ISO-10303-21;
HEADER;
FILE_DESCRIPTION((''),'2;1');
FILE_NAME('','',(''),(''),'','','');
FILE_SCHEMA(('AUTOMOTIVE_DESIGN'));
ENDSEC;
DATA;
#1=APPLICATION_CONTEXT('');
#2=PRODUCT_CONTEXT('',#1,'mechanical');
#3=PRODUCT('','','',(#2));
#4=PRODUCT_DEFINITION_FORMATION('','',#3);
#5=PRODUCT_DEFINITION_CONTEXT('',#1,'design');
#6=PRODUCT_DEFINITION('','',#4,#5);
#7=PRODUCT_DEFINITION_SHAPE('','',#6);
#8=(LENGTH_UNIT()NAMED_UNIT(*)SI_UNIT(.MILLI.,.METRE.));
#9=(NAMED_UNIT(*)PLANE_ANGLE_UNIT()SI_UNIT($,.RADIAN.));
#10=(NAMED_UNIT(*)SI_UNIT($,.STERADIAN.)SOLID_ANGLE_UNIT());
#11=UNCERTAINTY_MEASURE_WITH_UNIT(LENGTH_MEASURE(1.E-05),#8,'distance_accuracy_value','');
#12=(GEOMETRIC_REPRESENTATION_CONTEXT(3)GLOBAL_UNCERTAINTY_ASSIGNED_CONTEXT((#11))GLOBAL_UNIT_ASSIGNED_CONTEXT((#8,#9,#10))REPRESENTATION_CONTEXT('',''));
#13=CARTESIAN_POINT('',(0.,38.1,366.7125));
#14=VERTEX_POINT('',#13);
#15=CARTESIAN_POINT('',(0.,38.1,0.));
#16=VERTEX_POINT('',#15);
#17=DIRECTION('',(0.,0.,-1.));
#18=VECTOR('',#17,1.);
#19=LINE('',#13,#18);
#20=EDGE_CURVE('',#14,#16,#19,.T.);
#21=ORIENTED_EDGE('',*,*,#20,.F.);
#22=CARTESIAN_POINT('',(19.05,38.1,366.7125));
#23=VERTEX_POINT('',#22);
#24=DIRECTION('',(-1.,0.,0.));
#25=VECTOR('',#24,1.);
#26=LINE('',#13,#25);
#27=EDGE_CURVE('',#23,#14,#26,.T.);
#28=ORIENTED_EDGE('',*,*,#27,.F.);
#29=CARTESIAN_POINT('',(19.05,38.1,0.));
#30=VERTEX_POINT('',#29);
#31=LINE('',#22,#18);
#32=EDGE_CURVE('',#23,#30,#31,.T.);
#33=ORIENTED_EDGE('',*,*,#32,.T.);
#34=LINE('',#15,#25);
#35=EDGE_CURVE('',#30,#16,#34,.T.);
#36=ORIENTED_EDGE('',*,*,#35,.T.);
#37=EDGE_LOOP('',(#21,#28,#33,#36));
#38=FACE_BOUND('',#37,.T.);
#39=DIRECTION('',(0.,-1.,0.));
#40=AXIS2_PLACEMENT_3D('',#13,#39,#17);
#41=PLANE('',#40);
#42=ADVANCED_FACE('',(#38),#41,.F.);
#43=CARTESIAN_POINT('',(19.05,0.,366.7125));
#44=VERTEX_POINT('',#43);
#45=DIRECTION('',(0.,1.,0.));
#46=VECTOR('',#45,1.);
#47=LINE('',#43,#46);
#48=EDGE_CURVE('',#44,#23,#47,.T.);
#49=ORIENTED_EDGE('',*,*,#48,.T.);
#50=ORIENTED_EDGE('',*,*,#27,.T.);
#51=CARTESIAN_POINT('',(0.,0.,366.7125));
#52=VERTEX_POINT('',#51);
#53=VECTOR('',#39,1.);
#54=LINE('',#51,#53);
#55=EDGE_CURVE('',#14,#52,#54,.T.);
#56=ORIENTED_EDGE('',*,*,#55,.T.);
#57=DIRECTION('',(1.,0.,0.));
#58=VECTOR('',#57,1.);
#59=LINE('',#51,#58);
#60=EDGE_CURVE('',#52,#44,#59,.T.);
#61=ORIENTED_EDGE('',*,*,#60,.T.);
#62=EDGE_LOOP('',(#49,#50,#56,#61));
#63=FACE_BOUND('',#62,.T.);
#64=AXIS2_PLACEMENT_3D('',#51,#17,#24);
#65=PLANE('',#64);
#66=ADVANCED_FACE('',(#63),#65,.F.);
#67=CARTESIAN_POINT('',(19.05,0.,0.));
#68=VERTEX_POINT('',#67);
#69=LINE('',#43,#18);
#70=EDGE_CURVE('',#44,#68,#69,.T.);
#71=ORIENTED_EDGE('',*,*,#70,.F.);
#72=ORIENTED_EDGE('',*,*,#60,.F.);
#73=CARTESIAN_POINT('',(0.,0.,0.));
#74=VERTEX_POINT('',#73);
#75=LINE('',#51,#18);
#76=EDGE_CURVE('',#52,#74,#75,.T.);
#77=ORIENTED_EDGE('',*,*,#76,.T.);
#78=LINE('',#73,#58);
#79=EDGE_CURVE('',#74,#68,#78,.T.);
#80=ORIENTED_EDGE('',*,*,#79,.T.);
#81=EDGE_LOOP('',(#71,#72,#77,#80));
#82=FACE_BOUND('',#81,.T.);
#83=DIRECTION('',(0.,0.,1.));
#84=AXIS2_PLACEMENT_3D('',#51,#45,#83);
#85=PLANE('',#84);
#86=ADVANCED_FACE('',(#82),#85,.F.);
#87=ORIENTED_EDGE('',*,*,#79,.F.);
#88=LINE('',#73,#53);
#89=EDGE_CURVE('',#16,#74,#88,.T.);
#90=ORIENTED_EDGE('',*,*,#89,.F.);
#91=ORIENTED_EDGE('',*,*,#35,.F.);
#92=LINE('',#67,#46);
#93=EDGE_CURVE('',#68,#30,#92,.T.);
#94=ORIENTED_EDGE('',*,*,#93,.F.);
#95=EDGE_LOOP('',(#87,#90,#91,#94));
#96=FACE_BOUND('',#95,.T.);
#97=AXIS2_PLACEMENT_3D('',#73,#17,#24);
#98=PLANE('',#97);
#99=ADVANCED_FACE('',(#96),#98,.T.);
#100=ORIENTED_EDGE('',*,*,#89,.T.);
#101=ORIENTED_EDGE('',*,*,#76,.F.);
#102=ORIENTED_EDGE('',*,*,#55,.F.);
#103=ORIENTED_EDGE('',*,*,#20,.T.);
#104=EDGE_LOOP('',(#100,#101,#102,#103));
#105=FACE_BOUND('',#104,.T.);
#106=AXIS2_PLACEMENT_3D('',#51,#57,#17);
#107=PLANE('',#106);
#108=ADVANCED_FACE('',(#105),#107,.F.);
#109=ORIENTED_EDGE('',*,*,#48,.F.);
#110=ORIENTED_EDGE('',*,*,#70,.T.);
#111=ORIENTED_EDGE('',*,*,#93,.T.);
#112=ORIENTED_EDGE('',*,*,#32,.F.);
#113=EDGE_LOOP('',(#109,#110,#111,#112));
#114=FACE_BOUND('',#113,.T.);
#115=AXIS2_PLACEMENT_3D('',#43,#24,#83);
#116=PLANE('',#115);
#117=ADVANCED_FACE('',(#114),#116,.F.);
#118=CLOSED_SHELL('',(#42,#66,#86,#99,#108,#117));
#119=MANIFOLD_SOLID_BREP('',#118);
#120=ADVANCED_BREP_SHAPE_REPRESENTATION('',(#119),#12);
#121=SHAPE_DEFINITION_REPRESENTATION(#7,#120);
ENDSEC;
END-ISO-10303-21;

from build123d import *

# Parameters (mm, degrees)
SKETCH1_W           = 19.05
SKETCH1_H           = 38.1
BOSS_EXTRUDE1_DEPTH = 366.7125


with BuildPart() as part:
    # Sketch1 → Boss-Extrude1 (new body)
    with BuildSketch(Plane.XY):
        with Locations((9.525, 19.05)):
            Rectangle(SKETCH1_W, SKETCH1_H)
    extrude(amount=BOSS_EXTRUDE1_DEPTH)


solid = part.part
